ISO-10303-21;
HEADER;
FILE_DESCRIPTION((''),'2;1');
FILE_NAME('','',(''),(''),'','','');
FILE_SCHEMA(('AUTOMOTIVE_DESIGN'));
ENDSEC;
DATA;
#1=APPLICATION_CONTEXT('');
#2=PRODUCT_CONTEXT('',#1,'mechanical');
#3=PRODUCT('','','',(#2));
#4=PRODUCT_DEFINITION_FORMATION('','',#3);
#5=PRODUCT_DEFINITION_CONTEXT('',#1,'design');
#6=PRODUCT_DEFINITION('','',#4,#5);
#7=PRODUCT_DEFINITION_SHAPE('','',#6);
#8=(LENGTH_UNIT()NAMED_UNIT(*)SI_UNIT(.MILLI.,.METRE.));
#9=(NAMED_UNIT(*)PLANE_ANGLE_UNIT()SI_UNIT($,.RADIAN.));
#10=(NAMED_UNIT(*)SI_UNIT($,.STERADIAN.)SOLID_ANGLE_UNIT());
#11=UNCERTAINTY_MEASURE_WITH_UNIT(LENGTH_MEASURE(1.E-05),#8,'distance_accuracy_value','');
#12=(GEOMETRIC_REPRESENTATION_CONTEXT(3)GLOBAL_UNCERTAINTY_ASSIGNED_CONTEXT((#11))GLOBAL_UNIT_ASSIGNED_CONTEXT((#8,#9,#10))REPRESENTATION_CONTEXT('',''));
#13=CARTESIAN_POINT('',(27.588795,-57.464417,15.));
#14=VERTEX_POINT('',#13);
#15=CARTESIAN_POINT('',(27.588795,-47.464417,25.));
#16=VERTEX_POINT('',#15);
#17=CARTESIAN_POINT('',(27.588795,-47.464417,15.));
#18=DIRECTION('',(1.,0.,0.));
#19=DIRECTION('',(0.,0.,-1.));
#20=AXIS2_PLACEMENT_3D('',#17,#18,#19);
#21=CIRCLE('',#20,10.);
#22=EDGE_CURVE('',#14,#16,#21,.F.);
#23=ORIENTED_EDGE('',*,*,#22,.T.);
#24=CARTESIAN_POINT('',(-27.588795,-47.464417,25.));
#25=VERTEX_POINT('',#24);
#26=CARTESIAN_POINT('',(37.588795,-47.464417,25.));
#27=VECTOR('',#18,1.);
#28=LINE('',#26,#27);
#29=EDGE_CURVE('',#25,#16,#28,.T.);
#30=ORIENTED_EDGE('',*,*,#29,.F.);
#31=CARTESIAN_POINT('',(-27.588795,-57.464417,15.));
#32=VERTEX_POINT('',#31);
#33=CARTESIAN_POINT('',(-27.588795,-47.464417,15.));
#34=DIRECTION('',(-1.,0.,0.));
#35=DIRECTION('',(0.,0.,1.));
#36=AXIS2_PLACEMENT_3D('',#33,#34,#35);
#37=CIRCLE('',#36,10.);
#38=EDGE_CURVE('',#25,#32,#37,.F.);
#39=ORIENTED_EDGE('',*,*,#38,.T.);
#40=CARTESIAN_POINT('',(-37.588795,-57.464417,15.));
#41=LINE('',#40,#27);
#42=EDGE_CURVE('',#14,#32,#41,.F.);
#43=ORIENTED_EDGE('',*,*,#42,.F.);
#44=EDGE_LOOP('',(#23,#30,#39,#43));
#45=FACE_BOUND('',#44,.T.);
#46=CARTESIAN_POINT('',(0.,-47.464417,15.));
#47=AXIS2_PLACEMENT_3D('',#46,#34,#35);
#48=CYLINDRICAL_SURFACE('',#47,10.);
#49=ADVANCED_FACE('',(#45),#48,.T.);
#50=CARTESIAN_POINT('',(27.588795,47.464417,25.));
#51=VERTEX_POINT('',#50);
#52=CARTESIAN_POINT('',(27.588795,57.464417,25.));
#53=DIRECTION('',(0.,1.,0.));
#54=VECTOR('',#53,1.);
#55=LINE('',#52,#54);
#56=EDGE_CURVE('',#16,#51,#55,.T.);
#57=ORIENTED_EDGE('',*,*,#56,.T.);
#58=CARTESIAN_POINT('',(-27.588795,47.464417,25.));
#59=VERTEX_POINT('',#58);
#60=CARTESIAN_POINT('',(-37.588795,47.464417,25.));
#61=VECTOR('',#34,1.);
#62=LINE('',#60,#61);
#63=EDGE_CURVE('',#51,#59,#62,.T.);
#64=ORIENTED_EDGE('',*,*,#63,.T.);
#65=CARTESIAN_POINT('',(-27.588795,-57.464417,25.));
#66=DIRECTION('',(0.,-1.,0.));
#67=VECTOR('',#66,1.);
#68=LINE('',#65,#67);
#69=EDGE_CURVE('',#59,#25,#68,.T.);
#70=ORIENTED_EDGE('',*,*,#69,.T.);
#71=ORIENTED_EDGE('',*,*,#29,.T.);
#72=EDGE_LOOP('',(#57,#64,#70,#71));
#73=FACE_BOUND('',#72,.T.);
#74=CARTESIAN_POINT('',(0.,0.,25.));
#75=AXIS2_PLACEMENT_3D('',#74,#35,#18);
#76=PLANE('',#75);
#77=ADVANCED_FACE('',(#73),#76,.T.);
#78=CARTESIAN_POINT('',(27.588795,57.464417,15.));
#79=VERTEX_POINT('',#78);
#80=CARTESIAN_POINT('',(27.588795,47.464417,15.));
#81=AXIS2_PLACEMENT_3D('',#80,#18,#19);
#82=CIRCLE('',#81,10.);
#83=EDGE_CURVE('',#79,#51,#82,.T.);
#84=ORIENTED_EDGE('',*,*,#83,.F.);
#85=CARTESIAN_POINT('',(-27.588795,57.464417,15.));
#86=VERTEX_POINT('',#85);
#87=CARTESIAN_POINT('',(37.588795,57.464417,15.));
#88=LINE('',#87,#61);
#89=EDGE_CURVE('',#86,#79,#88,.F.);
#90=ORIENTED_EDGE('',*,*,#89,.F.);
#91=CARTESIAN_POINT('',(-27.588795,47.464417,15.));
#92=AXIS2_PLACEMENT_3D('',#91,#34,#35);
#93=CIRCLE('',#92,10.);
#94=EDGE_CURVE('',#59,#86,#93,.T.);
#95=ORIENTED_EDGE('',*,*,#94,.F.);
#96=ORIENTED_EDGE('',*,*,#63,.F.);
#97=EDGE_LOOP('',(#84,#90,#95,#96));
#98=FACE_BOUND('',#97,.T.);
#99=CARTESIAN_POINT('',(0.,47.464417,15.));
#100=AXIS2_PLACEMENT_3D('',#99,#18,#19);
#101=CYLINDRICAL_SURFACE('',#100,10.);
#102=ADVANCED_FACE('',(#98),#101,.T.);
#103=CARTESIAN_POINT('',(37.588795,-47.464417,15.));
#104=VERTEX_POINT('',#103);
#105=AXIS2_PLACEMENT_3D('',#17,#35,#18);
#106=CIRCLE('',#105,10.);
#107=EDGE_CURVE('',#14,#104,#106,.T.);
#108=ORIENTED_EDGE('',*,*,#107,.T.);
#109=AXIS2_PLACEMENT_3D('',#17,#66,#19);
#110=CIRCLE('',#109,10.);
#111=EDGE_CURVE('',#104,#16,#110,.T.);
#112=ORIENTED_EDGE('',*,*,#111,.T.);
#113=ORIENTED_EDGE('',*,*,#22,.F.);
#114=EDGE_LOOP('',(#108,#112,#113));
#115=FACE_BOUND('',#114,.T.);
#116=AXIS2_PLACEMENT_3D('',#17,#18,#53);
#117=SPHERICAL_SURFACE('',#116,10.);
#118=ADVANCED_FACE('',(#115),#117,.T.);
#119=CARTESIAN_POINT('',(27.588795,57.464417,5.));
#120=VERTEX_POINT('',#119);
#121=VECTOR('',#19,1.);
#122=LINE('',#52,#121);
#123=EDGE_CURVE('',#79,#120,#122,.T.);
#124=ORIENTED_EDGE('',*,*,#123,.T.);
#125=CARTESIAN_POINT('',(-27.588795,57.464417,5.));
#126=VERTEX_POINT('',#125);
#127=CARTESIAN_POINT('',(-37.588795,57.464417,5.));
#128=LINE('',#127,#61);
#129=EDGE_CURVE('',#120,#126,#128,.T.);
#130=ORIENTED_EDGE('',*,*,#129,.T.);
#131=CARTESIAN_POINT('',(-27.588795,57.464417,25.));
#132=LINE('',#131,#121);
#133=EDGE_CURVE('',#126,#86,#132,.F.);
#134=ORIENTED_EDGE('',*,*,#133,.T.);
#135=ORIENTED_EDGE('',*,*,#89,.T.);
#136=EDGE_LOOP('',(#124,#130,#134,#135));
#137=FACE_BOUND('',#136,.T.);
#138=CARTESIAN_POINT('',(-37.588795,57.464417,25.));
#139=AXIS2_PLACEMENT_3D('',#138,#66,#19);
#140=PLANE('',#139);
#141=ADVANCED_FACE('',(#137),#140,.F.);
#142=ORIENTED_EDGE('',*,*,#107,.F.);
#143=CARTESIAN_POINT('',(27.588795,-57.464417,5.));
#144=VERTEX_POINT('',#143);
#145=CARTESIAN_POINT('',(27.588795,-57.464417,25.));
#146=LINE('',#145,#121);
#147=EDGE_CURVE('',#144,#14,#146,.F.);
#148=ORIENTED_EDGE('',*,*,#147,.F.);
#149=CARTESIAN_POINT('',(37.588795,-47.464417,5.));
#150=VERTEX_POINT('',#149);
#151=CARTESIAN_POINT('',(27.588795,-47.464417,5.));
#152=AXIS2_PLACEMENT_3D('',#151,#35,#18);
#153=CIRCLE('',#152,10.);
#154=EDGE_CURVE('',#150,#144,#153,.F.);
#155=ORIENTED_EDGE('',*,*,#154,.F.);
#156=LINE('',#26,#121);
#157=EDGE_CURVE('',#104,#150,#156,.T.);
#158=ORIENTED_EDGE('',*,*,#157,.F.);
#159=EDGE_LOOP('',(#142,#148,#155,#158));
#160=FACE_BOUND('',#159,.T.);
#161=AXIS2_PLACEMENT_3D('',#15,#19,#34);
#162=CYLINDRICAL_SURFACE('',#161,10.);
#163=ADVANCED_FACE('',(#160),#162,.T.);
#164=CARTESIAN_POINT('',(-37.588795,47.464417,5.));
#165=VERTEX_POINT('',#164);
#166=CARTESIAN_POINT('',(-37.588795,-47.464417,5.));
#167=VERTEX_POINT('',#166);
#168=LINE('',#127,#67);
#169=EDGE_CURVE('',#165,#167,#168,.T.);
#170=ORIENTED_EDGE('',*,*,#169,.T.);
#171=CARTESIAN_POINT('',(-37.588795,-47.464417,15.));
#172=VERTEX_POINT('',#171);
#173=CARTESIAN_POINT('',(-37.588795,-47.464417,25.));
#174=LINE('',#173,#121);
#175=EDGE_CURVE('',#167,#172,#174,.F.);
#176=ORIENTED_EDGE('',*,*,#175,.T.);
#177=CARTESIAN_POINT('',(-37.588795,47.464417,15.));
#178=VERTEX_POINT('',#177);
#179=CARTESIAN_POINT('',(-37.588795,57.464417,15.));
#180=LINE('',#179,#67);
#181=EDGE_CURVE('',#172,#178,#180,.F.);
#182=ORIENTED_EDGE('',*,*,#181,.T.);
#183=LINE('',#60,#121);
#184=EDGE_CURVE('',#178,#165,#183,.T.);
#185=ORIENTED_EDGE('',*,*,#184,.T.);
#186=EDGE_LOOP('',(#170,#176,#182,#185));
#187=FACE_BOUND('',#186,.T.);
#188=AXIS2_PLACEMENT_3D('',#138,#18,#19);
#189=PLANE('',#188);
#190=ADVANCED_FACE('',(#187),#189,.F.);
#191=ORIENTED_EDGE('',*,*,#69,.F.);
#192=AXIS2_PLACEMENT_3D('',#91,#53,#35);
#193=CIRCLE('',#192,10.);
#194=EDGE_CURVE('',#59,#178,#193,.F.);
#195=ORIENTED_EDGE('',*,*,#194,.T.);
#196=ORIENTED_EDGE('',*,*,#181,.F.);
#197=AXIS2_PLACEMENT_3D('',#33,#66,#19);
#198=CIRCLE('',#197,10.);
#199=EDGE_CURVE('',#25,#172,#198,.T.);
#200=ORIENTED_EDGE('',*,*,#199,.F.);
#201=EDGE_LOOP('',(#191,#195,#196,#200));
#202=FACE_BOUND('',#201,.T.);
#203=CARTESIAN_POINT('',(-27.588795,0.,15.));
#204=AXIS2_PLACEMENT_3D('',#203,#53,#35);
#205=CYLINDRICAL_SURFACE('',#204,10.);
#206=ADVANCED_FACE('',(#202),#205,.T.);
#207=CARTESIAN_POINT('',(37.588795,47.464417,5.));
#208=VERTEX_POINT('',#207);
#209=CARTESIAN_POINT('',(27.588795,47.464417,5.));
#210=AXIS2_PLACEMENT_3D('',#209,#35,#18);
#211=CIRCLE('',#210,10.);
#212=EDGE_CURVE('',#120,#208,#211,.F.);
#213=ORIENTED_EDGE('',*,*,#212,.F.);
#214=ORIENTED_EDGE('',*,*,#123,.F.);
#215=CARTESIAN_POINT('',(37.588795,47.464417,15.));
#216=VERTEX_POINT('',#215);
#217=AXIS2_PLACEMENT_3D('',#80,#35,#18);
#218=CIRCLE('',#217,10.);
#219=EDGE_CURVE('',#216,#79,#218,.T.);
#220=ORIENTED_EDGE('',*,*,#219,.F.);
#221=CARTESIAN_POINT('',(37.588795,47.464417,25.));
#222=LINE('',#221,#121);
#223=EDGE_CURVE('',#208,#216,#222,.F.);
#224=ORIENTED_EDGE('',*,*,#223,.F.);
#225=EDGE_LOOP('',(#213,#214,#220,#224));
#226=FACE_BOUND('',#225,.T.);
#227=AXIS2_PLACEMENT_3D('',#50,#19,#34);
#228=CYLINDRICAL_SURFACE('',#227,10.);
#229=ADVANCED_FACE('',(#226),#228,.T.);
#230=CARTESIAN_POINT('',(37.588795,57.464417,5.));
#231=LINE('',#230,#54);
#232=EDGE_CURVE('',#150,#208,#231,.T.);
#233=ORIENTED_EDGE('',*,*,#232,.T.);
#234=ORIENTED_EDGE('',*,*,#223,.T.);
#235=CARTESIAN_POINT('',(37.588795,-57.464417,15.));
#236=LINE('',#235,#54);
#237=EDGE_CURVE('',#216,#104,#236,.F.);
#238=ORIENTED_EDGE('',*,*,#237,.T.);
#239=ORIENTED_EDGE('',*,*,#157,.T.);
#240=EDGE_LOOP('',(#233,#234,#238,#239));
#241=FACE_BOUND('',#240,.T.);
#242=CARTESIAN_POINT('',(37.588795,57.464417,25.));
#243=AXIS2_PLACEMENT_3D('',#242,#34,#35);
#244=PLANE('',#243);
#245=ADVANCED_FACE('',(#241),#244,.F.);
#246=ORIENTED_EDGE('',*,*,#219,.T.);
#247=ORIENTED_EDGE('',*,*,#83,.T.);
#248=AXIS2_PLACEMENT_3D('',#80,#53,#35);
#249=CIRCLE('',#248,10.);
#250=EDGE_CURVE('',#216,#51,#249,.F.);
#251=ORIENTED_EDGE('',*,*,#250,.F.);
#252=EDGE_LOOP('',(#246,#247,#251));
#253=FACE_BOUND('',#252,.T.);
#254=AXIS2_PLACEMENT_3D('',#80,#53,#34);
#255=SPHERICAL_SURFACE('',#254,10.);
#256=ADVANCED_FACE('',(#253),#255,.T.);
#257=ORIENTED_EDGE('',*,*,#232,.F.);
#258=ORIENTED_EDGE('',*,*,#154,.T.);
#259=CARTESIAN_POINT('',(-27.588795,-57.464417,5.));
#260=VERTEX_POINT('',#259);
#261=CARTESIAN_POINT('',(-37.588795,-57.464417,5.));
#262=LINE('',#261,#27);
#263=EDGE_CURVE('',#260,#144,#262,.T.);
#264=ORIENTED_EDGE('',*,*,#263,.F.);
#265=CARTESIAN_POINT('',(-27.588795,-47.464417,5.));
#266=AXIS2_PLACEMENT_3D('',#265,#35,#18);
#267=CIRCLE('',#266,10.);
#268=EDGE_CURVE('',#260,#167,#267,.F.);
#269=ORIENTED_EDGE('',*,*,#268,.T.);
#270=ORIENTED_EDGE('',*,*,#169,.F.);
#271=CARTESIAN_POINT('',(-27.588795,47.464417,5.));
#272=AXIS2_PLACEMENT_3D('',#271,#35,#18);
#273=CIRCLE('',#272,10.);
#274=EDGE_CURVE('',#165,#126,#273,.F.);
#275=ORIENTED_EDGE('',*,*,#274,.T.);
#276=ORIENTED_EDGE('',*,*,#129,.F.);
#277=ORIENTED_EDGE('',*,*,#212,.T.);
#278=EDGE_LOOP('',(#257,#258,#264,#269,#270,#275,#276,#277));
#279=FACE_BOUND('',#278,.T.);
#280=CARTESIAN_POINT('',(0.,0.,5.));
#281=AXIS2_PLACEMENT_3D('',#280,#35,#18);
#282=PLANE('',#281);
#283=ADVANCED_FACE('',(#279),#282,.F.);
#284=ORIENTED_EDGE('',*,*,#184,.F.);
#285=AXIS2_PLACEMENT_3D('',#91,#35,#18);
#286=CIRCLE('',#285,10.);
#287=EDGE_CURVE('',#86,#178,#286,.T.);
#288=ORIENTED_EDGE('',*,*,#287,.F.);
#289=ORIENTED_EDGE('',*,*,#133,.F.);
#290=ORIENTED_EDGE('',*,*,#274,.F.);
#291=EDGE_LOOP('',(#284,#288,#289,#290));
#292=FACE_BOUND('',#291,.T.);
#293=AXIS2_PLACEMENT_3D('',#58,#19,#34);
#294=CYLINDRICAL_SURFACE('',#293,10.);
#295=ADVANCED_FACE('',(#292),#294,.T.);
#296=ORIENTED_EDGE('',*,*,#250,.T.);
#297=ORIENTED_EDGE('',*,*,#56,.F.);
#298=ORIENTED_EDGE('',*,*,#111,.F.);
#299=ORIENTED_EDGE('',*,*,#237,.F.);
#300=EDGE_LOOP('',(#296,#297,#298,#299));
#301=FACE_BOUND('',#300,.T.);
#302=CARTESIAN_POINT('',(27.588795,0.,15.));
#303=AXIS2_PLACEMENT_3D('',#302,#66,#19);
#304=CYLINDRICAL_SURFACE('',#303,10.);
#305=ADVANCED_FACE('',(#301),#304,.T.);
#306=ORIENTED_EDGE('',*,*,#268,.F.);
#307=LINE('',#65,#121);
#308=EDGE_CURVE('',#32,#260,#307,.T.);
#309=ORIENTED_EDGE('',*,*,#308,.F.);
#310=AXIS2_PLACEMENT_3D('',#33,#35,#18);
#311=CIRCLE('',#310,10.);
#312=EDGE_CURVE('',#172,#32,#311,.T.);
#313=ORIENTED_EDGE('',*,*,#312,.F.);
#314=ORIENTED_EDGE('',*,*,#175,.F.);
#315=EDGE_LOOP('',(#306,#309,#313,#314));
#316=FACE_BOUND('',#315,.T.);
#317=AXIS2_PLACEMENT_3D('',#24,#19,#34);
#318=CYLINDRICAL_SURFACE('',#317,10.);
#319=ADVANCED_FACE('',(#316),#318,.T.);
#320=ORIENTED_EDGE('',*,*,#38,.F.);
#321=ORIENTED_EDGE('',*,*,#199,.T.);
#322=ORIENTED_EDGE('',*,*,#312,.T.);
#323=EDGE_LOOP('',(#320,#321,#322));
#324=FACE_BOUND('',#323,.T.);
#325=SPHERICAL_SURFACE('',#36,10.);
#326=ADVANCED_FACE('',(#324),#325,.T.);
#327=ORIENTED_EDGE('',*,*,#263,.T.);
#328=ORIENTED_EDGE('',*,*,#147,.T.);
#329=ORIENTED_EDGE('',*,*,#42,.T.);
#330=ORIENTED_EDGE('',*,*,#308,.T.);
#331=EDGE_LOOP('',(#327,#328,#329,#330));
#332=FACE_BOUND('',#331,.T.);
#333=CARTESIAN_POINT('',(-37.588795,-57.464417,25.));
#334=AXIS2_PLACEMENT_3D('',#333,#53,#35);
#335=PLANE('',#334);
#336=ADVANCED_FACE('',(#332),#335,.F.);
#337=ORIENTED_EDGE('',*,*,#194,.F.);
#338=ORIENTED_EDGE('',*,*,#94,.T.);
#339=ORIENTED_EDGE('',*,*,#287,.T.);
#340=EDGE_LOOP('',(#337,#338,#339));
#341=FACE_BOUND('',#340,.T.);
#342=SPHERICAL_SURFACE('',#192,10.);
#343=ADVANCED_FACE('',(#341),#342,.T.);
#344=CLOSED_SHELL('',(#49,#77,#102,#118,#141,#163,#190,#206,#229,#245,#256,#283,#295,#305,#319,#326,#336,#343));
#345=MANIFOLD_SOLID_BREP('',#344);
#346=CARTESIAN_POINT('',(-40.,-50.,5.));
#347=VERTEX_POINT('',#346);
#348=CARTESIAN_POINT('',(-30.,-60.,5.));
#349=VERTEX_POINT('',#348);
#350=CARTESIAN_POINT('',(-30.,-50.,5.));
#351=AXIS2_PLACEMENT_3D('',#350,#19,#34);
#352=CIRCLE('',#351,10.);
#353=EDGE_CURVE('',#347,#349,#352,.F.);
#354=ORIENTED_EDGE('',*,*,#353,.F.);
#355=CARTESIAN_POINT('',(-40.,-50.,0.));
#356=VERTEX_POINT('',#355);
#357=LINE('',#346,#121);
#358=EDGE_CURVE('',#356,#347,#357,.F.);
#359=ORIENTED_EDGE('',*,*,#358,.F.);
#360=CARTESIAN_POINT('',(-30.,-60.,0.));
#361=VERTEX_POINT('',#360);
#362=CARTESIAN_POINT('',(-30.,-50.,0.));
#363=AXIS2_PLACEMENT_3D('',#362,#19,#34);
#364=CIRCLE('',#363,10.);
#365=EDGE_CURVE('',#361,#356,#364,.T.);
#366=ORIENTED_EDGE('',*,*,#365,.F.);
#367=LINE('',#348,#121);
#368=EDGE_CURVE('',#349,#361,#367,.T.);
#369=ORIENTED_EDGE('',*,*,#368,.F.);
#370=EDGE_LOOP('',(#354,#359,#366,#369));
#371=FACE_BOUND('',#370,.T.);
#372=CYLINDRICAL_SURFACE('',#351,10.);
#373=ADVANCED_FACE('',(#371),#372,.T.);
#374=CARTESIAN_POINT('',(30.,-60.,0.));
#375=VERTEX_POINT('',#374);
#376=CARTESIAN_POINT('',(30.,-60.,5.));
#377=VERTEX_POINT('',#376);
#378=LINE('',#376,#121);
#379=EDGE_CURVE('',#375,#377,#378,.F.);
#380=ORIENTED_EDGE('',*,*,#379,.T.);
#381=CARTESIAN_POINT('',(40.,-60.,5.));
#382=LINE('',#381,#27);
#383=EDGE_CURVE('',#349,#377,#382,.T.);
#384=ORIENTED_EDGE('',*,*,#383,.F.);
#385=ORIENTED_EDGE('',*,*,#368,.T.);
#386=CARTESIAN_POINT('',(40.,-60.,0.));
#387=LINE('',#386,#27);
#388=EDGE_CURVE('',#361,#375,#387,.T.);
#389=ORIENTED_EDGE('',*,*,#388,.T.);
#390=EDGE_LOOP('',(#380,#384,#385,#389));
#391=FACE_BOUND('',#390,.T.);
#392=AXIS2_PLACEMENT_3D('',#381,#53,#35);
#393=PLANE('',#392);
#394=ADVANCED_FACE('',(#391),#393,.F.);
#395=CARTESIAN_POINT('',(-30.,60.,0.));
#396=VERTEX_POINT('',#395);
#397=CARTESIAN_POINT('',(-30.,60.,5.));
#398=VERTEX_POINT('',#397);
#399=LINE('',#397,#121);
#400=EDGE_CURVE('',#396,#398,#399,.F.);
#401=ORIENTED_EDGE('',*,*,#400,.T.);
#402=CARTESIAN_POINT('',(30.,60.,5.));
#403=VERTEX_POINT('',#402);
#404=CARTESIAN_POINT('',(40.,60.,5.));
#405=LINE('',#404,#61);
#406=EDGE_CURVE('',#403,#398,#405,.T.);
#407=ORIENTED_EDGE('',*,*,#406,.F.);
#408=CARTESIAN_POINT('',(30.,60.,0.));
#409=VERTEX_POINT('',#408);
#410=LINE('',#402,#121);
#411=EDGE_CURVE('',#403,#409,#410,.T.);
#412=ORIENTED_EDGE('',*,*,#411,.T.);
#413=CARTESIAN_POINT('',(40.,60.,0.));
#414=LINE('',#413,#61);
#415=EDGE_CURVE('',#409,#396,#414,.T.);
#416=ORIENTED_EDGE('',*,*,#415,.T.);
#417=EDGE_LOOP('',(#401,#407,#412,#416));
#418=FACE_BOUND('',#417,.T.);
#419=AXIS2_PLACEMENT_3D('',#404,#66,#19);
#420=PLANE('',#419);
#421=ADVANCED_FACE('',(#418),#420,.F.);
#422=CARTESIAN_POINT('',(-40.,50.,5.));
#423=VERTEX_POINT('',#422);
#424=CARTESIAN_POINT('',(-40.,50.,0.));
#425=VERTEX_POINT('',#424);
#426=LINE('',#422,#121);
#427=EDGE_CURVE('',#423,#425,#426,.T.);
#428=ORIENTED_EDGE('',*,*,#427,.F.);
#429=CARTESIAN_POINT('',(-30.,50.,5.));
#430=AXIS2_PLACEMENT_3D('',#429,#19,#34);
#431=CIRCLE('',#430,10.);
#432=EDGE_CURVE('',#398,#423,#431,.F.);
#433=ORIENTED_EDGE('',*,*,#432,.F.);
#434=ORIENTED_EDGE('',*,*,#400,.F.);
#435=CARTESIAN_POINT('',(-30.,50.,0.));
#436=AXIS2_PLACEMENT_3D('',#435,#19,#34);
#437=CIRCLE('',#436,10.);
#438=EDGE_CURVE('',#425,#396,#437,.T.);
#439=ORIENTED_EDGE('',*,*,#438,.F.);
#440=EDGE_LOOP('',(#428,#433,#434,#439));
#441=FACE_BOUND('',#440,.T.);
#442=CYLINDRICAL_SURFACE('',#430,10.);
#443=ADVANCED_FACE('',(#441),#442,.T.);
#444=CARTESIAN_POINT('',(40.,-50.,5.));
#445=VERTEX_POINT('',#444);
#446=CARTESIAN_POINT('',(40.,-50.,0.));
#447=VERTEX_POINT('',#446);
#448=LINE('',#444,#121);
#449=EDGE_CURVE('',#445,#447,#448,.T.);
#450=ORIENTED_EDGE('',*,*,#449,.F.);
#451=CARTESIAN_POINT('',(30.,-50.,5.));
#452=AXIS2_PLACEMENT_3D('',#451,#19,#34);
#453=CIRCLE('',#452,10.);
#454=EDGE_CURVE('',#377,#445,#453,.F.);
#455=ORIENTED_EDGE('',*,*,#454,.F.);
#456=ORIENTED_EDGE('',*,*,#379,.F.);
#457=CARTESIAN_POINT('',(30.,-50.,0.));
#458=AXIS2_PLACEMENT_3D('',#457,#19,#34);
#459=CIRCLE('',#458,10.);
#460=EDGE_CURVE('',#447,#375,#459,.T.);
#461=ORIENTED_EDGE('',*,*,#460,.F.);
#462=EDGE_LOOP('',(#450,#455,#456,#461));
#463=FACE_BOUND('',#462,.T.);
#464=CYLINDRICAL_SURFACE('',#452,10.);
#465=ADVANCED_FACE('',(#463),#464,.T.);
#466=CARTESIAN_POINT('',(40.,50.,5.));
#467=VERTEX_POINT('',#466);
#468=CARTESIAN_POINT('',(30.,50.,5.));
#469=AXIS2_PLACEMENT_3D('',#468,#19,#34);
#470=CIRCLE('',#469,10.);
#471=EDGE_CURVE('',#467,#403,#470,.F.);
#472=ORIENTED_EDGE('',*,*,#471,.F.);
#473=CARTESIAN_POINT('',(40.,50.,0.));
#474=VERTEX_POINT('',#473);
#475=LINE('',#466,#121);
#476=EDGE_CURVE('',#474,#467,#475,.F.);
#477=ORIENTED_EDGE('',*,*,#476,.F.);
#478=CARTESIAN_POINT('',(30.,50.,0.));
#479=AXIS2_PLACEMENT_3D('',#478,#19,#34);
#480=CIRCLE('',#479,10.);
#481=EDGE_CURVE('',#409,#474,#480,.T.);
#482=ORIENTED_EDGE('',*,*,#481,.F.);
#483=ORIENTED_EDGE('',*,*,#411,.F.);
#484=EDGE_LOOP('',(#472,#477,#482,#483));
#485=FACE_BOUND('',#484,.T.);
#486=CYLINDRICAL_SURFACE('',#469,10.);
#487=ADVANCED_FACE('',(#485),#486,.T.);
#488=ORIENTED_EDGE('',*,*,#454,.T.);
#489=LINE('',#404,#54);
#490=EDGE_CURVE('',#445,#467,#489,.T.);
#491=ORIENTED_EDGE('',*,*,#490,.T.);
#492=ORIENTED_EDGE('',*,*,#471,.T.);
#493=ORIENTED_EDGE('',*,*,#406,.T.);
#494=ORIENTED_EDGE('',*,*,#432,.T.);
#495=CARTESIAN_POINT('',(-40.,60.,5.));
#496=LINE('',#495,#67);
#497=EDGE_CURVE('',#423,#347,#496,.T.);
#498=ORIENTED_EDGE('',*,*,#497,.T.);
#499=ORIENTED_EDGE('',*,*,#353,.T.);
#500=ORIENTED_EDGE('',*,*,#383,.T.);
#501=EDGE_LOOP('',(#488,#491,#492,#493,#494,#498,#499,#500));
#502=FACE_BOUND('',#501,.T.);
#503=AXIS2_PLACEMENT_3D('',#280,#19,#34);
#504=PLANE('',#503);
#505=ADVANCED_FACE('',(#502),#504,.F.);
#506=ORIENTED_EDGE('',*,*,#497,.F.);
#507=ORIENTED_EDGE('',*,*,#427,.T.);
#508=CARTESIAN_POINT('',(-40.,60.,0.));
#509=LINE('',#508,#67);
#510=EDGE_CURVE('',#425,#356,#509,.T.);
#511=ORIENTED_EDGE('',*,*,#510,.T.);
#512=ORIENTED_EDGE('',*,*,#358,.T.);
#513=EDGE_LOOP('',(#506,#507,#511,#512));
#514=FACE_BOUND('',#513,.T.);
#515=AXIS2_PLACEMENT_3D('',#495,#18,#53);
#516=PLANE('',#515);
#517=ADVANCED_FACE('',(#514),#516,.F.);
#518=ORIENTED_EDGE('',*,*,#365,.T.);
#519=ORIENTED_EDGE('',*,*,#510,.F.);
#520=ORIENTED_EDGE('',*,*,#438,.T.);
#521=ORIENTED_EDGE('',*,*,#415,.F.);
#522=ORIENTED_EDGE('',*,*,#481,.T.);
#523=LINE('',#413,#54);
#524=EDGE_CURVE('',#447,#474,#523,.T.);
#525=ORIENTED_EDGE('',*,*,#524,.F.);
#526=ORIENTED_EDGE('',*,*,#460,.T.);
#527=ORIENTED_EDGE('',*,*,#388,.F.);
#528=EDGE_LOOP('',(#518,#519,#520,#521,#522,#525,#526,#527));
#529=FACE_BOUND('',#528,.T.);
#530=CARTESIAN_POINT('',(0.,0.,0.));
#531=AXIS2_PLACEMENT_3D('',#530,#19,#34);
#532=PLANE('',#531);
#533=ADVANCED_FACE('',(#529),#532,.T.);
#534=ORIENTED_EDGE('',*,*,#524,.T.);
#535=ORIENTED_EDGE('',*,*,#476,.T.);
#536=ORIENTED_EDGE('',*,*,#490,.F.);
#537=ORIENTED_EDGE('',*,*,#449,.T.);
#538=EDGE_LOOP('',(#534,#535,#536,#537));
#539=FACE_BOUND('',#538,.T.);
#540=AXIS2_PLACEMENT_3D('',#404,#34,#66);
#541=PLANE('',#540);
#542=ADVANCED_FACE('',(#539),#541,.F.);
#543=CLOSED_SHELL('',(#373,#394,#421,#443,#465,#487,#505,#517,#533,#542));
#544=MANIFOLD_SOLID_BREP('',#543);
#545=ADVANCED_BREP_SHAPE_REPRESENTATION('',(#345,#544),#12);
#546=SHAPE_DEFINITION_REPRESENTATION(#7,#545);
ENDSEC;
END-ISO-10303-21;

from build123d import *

# Parameters (mm, degrees)
CROQUIS1_W              = 80
CROQUIS1_H              = 120
SALIENTE_EXTRUIR1_DEPTH = 5
REDONDEO2_R             = 10
CROQUIS2_W              = 75.177590538
CROQUIS2_H              = 114.928834806
SALIENTE_EXTRUIR2_DEPTH = 20
REDONDEO1_R             = 10


with BuildPart() as part:
    # Croquis1 → Saliente-Extruir1 (new body)
    with BuildSketch(Plane.XY):
        Rectangle(CROQUIS1_W, CROQUIS1_H)
    extrude(amount=SALIENTE_EXTRUIR1_DEPTH)

    # Redondeo2
    redondeo2_edges = [part.edges().sort_by_distance(p)[0] for p in [
        (-40, 60, 2.5),
        (40, 60, 2.5),
        (40, -60, 2.5),
        (-40, -60, 2.5),
    ]]
    fillet(redondeo2_edges, radius=REDONDEO2_R)


with BuildPart() as body_2:
    # Croquis2 → Saliente-Extruir2 (new body)
    with BuildSketch(Plane.XY.offset(5)):
        Rectangle(CROQUIS2_W, CROQUIS2_H)
    extrude(amount=SALIENTE_EXTRUIR2_DEPTH)

    # Redondeo1
    redondeo1_edges = [body_2.edges().sort_by_distance(p)[0] for p in [
        (-37.588795269, 0, 25),
        (0, -57.464417403, 25),
        (37.588795269, 0, 25),
        (37.588795269, -57.464417403, 15),
        (-37.588795269, -57.464417403, 15),
        (-37.588795269, 57.464417403, 15),
        (37.588795269, 57.464417403, 15),
        (0, 57.464417403, 25),
    ]]
    fillet(redondeo1_edges, radius=REDONDEO1_R)


solid = Compound([part.part, body_2.part])
